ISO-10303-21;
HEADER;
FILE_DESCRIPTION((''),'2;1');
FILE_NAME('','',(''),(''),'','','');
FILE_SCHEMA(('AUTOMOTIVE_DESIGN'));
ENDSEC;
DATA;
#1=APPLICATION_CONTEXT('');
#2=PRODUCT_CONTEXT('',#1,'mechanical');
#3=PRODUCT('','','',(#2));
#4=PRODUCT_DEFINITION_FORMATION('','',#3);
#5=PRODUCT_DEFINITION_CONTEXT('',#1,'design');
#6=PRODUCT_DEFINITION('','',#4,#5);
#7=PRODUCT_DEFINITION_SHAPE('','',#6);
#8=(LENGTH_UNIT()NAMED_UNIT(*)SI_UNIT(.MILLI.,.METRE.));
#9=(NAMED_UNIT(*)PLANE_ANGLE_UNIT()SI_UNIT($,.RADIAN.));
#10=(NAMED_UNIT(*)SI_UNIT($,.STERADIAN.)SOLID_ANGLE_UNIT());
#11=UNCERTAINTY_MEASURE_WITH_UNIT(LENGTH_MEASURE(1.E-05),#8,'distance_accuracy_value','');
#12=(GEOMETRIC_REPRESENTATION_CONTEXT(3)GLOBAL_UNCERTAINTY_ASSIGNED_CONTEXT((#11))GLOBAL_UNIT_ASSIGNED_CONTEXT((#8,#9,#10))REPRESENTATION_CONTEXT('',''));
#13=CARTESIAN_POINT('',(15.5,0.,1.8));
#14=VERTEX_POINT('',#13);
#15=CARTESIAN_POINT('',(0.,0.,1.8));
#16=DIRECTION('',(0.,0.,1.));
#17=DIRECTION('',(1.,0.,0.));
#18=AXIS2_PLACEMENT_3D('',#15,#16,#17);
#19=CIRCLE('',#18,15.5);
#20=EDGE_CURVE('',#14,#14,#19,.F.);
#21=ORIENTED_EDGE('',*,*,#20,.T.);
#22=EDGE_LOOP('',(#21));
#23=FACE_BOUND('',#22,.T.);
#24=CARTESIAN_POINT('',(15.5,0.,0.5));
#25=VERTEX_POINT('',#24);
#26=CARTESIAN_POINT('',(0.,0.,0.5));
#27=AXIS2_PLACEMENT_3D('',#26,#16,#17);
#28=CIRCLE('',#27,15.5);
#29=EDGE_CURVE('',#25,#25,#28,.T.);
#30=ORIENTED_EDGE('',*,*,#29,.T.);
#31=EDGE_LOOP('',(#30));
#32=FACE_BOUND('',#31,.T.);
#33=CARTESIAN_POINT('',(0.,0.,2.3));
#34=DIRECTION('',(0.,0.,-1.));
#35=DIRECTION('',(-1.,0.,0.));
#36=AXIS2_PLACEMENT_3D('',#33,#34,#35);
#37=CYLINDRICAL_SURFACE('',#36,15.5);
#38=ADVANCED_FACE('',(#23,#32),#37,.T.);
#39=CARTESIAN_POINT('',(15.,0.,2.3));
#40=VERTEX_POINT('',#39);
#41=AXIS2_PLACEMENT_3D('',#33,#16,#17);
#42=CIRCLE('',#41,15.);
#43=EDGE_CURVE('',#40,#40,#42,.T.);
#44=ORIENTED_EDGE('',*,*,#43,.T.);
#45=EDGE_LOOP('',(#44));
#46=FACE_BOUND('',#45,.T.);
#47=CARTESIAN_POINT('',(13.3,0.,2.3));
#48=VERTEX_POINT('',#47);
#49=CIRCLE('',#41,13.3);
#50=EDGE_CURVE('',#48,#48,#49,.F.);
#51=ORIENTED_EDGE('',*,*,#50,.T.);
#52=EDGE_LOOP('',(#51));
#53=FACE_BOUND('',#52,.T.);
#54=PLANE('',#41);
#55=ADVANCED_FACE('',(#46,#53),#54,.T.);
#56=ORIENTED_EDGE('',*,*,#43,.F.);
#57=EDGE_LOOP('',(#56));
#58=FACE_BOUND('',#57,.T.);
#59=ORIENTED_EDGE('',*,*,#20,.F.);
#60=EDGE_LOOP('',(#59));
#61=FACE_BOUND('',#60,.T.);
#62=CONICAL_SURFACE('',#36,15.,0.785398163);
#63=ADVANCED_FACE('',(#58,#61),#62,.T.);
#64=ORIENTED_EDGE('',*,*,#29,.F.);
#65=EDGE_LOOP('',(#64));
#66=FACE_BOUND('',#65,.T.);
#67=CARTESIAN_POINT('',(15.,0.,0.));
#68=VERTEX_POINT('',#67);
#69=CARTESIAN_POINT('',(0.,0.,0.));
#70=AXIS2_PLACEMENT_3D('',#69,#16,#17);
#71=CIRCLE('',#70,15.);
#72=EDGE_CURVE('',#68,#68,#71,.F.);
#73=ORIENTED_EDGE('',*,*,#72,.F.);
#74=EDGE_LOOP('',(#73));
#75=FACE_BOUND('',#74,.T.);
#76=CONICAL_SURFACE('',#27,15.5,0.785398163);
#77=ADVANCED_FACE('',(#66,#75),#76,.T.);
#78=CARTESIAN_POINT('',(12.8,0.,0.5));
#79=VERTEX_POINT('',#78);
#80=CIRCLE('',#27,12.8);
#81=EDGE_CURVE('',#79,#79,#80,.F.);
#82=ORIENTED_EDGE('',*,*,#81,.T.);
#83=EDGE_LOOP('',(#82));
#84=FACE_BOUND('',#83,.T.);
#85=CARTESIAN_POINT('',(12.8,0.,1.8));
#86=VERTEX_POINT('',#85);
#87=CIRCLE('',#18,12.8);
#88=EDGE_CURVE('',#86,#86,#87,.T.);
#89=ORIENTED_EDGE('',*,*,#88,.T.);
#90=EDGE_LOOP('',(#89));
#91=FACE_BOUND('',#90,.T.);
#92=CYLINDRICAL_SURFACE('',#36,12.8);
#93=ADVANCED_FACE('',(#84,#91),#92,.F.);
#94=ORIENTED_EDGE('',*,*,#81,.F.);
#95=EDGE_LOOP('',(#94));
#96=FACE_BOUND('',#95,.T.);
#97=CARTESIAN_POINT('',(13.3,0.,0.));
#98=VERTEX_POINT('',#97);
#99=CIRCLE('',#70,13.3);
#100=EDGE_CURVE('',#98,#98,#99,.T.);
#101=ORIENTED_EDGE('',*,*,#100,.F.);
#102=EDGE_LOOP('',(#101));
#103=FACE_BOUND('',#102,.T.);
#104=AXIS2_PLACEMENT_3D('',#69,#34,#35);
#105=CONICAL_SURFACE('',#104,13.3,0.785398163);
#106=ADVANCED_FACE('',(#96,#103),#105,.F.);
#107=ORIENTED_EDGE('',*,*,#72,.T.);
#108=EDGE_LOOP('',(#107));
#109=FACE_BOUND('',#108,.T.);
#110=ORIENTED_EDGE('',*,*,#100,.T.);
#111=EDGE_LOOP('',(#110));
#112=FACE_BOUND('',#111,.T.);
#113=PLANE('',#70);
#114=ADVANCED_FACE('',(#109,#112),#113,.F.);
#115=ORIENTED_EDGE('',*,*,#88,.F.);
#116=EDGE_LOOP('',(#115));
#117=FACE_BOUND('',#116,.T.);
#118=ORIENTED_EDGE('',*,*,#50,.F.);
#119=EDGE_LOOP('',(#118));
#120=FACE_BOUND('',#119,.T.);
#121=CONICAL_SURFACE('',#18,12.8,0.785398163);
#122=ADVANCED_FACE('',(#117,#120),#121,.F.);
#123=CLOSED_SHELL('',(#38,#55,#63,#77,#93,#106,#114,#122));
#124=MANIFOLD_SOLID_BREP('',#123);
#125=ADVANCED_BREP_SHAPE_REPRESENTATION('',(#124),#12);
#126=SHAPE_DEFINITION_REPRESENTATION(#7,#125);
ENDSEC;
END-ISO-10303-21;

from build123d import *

# Parameters (mm, degrees)
SKETCH1_R           = 15.5
SKETCH1_R_2         = 12.8
BOSS_EXTRUDE1_DEPTH = 2.3
CHAMFER1_SIZE       = 0.5


with BuildPart() as part:
    # Sketch1 → Boss-Extrude1 (new body)
    with BuildSketch(Plane.XY):
        Circle(SKETCH1_R)
        Circle(SKETCH1_R_2, mode=Mode.SUBTRACT)
    extrude(amount=BOSS_EXTRUDE1_DEPTH)

    # Chamfer1
    chamfer1_edges = [part.edges().sort_by_distance(p)[0] for p in [
        (-15.5, 0, 0),
        (-15.5, 0, 2.3),
        (-12.8, 0, 0),
        (-12.8, 0, 2.3),
    ]]
    chamfer(chamfer1_edges, length=CHAMFER1_SIZE)


solid = part.part
